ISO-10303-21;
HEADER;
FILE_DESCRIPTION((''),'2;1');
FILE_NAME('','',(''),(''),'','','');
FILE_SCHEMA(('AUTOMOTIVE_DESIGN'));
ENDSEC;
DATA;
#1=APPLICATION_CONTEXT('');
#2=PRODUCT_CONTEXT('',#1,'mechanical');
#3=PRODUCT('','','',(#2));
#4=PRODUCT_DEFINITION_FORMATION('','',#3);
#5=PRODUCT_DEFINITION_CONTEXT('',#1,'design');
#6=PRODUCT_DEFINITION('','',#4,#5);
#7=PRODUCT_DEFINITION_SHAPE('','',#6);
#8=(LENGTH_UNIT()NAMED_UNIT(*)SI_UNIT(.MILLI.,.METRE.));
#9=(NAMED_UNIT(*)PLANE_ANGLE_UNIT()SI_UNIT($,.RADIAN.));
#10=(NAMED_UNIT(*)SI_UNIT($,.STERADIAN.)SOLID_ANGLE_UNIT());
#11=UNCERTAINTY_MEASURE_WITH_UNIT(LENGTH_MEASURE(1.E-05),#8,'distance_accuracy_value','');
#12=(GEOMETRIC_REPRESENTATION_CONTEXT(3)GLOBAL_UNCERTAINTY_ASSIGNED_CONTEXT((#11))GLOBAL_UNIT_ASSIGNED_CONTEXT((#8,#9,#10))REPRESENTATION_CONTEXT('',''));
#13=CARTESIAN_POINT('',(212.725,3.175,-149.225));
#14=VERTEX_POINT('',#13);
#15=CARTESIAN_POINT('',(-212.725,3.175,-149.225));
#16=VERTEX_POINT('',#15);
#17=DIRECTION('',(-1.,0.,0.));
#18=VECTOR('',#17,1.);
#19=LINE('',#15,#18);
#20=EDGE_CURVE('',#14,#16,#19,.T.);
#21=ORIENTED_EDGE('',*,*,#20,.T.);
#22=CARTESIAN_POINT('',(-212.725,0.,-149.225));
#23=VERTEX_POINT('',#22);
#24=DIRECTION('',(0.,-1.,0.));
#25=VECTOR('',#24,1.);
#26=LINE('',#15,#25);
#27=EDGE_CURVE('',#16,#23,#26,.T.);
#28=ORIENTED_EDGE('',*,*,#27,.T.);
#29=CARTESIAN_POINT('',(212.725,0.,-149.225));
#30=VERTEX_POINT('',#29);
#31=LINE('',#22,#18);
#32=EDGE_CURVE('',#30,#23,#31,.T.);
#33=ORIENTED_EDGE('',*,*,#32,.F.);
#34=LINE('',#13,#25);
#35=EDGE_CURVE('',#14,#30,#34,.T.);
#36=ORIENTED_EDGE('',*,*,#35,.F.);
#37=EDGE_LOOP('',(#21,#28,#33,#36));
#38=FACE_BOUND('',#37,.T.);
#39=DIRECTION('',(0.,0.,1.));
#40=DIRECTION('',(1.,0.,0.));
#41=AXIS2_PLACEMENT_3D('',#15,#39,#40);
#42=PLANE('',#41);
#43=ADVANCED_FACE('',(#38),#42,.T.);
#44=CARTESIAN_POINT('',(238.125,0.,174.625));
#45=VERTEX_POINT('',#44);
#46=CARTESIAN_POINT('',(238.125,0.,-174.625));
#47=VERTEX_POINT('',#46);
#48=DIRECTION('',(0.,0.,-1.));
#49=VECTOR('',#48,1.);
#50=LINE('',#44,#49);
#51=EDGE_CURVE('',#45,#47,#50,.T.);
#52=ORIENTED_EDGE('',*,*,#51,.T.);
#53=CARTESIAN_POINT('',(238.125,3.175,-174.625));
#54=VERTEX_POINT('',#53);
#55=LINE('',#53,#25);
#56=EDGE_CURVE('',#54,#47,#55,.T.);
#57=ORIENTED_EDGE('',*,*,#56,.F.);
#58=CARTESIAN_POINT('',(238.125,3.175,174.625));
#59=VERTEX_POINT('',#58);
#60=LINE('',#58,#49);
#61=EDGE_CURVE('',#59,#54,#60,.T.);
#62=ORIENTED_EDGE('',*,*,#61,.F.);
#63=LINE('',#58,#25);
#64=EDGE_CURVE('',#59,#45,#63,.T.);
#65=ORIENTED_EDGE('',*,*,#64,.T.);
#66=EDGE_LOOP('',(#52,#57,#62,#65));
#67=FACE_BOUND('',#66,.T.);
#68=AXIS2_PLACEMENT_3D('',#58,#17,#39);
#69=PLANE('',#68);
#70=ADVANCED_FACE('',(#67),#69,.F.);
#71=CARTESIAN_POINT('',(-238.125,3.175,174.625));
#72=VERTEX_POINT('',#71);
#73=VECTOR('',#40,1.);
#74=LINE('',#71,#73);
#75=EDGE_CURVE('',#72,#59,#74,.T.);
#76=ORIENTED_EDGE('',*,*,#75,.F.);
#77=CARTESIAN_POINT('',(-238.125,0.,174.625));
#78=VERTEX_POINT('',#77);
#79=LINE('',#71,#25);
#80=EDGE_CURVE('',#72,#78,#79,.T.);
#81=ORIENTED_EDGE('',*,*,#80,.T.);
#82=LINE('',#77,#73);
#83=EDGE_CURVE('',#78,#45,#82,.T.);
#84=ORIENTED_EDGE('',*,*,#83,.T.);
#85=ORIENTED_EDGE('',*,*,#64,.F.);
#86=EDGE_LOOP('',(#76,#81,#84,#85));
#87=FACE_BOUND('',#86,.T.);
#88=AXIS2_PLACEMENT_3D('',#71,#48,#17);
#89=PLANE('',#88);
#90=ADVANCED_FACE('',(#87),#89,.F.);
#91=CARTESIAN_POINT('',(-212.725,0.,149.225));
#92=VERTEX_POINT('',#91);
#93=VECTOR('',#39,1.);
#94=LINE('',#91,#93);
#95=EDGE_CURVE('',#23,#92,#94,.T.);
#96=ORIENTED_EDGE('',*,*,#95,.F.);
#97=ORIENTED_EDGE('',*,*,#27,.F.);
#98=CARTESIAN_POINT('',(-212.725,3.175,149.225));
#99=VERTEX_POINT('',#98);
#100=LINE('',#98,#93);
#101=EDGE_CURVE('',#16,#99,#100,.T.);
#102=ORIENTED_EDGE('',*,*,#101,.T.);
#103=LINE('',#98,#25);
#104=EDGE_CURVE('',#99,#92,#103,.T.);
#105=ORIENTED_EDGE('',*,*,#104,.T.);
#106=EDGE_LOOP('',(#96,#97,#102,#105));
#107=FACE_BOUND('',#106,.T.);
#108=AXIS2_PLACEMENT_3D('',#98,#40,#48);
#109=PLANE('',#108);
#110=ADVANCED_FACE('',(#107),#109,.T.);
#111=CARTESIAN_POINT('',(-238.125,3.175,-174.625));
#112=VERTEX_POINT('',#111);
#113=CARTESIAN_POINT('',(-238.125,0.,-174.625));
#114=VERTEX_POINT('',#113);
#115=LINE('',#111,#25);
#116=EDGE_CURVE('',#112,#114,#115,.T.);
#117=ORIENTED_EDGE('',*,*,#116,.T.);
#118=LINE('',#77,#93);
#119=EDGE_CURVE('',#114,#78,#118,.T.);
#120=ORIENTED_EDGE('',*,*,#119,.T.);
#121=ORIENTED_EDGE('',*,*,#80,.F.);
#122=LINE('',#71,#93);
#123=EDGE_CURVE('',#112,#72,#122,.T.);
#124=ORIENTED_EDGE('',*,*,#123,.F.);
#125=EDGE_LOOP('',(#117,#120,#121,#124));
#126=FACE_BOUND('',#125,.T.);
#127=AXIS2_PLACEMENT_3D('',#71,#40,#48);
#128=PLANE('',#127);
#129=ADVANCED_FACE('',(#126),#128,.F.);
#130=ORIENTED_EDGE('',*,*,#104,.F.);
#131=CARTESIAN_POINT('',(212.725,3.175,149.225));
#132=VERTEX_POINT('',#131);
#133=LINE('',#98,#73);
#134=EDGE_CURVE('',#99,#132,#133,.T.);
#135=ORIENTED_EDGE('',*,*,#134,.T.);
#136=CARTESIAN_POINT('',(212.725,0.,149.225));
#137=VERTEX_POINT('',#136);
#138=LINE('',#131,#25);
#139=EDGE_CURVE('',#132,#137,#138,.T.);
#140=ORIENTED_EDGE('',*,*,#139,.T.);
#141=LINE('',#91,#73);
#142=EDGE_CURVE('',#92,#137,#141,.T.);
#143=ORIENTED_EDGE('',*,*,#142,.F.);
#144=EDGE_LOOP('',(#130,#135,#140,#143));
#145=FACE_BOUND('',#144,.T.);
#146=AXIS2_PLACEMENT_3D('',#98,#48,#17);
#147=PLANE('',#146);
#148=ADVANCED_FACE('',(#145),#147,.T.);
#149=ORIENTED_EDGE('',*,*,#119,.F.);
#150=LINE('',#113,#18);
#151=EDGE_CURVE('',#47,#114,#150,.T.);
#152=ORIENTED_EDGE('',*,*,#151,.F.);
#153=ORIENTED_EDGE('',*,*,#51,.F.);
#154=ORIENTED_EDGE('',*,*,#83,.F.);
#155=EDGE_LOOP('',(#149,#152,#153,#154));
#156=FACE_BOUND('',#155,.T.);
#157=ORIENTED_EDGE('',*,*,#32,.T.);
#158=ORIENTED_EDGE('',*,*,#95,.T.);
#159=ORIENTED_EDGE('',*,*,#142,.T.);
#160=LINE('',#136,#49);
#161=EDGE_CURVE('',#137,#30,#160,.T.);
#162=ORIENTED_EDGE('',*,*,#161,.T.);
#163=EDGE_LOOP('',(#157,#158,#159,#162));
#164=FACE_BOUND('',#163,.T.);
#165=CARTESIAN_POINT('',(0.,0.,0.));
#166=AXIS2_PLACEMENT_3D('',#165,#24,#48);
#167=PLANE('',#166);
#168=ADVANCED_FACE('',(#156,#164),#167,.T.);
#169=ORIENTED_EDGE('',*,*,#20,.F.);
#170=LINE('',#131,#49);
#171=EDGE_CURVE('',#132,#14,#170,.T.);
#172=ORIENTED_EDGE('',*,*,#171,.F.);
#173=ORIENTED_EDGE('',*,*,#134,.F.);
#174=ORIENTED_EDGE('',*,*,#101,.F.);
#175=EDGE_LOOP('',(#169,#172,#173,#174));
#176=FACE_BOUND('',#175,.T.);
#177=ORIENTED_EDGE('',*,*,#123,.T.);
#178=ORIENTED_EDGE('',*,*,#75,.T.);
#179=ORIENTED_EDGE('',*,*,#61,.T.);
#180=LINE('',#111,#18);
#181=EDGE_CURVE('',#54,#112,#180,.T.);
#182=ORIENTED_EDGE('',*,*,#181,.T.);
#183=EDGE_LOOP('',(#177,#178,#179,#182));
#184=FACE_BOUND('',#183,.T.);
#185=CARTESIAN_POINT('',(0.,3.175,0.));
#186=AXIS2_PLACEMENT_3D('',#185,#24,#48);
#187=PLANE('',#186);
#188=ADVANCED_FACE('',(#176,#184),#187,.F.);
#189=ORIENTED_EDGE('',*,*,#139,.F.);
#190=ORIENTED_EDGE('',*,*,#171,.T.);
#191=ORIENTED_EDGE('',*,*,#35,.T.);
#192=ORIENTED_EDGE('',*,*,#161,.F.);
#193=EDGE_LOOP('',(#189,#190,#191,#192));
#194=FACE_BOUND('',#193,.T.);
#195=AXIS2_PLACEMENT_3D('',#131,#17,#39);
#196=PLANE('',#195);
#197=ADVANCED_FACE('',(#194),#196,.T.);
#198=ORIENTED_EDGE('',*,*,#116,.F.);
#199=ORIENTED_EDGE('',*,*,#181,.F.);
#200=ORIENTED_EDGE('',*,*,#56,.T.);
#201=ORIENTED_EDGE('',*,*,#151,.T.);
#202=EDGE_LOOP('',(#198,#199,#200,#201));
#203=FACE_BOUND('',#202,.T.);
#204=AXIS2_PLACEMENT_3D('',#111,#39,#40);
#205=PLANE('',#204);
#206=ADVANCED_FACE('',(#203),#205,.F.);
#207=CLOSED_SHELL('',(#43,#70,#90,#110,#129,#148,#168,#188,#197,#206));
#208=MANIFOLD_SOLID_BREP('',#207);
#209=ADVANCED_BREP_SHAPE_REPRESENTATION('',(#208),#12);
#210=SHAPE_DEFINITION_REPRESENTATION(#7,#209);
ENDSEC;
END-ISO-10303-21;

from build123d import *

# Parameters (mm, degrees)
SKETCH1_W           = 476.25
SKETCH1_H           = 349.25
SKETCH1_W_2         = 425.45
SKETCH1_H_2         = 298.45
BOSS_EXTRUDE1_DEPTH = 3.175


with BuildPart() as part:
    # Sketch1 → Boss-Extrude1 (new body)
    with BuildSketch(Plane(origin=(0, 0, 0), x_dir=(1, 0, 0), z_dir=(0, 1, 0))):
        Rectangle(SKETCH1_W, SKETCH1_H)
        Rectangle(SKETCH1_W_2, SKETCH1_H_2, mode=Mode.SUBTRACT)
    extrude(amount=BOSS_EXTRUDE1_DEPTH)


solid = part.part
